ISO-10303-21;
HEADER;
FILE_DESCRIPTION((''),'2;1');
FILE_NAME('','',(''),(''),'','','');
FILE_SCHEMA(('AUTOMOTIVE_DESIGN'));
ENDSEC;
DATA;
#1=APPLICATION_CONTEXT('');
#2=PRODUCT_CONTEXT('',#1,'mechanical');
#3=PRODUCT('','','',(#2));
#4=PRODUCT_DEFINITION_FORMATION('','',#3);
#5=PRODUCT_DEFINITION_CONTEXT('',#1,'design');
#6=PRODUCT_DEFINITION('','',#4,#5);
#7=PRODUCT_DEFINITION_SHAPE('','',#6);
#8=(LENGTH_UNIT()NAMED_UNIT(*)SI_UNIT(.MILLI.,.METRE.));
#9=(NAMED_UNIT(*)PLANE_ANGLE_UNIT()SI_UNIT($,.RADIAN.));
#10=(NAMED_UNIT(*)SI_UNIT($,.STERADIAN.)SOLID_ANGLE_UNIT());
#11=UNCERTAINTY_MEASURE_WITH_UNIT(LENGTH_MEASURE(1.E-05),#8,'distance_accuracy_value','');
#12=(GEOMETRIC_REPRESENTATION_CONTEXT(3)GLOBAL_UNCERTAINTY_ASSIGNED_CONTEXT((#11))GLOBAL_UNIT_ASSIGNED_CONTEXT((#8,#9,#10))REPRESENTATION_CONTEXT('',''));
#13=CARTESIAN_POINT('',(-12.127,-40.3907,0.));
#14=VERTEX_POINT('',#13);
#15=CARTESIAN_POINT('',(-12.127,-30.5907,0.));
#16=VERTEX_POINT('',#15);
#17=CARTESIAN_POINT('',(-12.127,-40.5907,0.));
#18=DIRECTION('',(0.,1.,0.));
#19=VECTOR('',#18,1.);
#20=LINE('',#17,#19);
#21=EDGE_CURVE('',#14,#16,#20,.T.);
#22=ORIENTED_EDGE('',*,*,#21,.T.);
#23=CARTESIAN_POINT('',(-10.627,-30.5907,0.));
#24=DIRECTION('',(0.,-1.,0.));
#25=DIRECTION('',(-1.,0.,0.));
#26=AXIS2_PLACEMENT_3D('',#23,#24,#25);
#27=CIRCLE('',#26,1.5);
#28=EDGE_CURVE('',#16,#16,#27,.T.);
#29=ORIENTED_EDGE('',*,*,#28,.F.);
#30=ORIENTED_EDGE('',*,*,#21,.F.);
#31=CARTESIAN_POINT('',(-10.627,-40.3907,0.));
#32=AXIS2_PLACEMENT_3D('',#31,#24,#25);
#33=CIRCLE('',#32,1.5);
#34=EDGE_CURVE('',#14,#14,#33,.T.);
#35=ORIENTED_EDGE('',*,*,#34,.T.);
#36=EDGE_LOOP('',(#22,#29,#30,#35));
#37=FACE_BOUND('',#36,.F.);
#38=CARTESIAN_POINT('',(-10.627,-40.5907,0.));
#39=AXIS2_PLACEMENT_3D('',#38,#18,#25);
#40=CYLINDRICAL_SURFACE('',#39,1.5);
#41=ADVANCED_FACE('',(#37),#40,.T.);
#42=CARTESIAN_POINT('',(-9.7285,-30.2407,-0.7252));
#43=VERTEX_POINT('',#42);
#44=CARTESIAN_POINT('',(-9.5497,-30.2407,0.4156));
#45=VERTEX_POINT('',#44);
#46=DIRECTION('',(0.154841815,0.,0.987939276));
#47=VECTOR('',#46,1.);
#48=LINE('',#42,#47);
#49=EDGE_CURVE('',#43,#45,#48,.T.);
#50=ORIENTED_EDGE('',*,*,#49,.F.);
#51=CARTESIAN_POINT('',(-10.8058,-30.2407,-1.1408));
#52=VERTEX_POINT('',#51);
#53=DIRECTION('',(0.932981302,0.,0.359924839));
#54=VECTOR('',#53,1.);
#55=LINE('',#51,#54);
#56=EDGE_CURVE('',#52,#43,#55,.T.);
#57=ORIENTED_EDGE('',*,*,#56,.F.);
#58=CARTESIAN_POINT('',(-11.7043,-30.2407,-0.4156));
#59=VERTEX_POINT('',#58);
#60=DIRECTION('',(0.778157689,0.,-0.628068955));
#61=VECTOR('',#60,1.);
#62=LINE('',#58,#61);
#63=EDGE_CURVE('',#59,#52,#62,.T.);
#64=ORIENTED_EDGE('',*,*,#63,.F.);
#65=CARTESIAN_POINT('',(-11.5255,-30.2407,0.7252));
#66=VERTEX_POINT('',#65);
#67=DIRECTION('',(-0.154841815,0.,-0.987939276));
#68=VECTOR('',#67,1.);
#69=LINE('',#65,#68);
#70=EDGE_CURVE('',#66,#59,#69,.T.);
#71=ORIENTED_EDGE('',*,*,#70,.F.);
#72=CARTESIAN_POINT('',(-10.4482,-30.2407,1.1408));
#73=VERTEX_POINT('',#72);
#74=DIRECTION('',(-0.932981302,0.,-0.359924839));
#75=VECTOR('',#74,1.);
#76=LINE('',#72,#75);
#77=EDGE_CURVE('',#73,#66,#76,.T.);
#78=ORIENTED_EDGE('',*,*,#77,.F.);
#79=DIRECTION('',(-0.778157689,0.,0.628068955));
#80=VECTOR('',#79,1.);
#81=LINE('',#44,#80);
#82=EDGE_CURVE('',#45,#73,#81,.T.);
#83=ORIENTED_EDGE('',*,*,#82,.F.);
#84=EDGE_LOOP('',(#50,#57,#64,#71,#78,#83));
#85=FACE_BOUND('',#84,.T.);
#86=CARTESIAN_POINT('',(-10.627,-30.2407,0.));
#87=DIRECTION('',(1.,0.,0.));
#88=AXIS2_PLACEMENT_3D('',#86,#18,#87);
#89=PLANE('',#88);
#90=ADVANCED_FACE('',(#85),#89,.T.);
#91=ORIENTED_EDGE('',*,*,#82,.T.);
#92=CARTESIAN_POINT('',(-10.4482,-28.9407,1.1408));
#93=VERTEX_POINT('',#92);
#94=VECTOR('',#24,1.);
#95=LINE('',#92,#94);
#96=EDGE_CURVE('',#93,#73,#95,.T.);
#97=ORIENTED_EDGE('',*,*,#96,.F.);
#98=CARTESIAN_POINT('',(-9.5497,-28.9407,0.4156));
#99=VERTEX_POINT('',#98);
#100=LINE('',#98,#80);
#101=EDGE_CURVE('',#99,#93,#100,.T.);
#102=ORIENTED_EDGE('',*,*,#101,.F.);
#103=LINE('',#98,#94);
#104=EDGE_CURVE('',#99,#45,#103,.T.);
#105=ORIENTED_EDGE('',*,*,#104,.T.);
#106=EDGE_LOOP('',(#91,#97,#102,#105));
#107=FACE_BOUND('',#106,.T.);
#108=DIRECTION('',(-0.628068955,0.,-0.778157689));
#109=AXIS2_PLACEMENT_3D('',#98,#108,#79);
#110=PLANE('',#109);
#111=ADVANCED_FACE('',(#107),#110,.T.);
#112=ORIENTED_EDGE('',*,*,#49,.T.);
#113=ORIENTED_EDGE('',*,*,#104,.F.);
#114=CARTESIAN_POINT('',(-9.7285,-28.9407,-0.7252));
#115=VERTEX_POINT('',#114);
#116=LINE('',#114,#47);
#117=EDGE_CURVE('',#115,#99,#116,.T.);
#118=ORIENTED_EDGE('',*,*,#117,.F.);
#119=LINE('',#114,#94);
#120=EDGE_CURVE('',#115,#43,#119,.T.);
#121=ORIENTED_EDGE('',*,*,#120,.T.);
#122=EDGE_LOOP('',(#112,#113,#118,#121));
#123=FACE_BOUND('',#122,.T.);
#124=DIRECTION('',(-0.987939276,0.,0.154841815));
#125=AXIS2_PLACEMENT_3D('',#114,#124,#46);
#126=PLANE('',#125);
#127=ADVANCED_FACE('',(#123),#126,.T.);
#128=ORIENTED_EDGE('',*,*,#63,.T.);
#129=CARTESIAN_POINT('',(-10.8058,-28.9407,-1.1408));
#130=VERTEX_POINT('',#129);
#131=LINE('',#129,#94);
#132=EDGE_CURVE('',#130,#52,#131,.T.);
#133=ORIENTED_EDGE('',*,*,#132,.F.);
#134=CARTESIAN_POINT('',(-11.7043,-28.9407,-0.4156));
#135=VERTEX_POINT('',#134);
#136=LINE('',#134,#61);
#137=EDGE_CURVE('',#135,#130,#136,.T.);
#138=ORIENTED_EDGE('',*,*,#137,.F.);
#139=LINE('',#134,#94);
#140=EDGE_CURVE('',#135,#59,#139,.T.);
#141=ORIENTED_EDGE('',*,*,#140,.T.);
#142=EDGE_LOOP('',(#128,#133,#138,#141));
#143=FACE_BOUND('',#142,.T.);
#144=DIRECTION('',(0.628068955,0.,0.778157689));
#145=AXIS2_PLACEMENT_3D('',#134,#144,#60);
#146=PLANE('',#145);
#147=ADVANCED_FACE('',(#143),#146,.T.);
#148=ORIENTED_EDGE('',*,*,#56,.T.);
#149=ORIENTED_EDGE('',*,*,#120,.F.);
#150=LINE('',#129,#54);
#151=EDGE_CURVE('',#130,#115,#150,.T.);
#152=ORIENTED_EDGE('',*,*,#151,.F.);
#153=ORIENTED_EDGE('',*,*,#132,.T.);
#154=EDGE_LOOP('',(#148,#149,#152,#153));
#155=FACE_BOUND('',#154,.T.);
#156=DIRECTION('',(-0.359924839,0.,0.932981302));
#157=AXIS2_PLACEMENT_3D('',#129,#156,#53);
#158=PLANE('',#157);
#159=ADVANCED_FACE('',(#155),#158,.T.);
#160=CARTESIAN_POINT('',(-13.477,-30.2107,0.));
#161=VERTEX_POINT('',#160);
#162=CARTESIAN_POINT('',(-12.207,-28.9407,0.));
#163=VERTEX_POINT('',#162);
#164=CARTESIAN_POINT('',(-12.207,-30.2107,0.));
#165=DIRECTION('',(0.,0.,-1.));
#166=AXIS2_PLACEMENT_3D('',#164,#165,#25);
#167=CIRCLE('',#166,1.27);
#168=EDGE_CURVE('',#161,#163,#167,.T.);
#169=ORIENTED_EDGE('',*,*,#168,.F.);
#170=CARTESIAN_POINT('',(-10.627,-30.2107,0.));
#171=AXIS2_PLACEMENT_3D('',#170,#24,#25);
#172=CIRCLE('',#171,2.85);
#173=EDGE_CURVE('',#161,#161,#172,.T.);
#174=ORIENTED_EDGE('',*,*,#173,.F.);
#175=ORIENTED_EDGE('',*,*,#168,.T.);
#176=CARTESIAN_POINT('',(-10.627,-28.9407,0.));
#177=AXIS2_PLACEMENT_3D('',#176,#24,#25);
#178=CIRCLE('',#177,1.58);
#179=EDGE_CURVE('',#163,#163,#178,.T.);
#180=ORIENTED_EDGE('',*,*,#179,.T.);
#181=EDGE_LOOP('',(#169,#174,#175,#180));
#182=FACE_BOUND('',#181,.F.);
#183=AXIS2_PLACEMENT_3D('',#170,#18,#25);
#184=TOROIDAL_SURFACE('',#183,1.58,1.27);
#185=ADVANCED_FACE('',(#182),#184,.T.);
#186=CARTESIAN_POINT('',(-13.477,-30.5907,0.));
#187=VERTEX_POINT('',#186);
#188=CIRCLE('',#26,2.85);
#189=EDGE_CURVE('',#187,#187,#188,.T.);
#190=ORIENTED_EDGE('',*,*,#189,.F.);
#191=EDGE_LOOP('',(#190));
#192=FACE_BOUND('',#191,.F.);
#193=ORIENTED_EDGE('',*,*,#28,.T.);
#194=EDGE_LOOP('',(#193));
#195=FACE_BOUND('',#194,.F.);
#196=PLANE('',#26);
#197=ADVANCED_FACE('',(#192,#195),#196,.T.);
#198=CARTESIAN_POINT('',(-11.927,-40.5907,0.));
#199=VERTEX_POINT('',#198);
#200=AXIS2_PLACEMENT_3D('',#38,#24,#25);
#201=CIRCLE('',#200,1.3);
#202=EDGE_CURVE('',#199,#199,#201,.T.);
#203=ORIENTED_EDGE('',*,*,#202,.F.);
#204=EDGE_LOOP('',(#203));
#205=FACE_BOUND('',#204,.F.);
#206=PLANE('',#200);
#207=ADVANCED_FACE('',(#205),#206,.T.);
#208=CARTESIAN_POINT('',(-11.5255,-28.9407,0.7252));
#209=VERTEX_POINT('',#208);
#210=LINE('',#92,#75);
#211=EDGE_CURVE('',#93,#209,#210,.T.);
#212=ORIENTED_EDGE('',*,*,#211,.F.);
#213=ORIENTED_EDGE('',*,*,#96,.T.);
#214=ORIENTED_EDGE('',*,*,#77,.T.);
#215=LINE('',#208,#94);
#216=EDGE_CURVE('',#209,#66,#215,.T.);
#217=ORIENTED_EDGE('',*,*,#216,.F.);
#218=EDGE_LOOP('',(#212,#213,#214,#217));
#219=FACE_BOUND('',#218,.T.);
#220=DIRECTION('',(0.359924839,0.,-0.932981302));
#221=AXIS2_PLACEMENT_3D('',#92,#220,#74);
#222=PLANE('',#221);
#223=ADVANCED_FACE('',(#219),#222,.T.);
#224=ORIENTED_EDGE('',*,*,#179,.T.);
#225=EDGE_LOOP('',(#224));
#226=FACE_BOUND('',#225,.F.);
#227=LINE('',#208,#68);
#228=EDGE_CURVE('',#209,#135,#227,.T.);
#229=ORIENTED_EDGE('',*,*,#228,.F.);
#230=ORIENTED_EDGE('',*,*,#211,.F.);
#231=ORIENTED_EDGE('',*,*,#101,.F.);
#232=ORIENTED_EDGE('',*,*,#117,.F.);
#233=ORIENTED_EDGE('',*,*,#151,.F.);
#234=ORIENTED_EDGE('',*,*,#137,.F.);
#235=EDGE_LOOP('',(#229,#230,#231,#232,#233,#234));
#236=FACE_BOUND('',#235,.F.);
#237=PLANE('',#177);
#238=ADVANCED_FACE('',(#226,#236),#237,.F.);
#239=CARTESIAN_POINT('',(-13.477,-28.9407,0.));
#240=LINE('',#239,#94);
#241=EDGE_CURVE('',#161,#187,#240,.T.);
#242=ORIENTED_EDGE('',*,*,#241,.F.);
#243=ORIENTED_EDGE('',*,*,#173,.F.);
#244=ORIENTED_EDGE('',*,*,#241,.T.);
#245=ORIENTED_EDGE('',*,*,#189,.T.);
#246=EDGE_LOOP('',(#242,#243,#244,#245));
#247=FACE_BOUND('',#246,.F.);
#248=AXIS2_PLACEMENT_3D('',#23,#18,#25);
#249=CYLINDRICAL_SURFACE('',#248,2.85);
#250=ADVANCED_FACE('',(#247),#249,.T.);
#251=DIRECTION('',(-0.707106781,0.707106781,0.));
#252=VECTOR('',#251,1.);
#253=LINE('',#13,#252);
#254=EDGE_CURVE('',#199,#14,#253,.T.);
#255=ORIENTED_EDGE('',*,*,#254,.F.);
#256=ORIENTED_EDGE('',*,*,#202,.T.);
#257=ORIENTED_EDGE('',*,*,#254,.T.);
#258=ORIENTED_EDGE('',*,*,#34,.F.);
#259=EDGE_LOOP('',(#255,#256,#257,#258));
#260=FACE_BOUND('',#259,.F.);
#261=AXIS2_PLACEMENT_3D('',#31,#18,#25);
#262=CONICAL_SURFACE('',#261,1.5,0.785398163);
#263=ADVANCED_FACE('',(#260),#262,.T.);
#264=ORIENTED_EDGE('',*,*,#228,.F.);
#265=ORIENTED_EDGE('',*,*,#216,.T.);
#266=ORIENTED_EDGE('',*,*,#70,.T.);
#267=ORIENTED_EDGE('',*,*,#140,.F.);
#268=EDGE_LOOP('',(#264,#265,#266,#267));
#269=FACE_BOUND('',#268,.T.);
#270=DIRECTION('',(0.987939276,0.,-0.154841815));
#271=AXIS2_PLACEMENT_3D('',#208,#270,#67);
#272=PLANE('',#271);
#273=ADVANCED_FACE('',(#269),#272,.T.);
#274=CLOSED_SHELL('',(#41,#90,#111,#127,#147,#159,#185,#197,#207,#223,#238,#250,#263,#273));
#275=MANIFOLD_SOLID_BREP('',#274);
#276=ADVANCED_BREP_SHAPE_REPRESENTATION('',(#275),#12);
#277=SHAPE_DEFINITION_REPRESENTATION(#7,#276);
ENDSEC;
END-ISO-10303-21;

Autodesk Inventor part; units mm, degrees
ref_plane "YZ Plane" through (0, 0, 0) normal (1, 0, 0) x (0, 1, 0)
ref_plane "XZ Plane" through (0, 0, 0) normal (0, 1, 0) x (-1, 0, 0)
ref_plane "XY Plane" through (0, 0, 0) normal (0, 0, 1) x (1, 0, 0)
sketch "Sketch1" plane through (0, 0, 0) normal (0, 0, 1) x (1, 0, 0)
  line L0 (-10.627, -30.5907) -> (-13.477, -30.5907)
  line L1 (-10.627, -30.5907) -> (-10.627, -40.5907)
  line L2 (-10.627, -40.5907) -> (-12.127, -40.5907)
  line L3 (-12.127, -40.5907) -> (-12.127, -30.5907)
  line L4 (-10.627, -30.5907) -> (-10.627, -26.5988)
  line L5 (-13.477, -30.5907) -> (-13.477, -30.2107)
  line L6 (-13.477, -30.2107) -> (-13.477, -28.9407)
  line L7 (-13.477, -28.9407) -> (-10.627, -28.9407)
  point P0 (0, 0)
  dimension "d0" = 2.85
  dimension "d2" = 10
  dimension "d3" = 1.5
  dimension "d18" = 0.38
  dimension "d19" = 1.65
revolve "Revolution1" add sketch "Sketch1" angle 360 about axis through (-10.627, -30.5907, 0) along (0, -1, 0)
chamfer "Chamfer2" distance 0.2 angle 45 1 edges at (-9.127, -40.5907, 0)
fillet "Empalme2" radius 1.27 1 edges at (-7.777, -28.9407, 0)
sketch "Boceto2" plane through (-10.627, -28.9407, 0) normal (0, 1, 0) x (1, 0, 0)
  line L0 (0.8985, 0.7252) -> (1.0773, -0.4156)
  line L1 (1.0773, -0.4156) -> (0.1788, -1.1408)
  line L2 (0.1788, -1.1408) -> (-0.8985, -0.7252)
  line L3 (-0.8985, -0.7252) -> (-1.0773, 0.4156)
  line L4 (-1.0773, 0.4156) -> (-0.1788, 1.1408)
  line L5 (-0.1788, 1.1408) -> (0.8985, 0.7252)
  point P0 (10.627, 0)
  point P1 (0, 0)
  dimension "d21" = 2
extrude "Extrusión1" cut sketch "Boceto2" against normal blind 1.3
thread "Rosca2" size "M3x0.5" class "6g" standard "ISO Metric profile" length 430
properties part number "Tornillo Allen cabeeza botón M3x10mm"
